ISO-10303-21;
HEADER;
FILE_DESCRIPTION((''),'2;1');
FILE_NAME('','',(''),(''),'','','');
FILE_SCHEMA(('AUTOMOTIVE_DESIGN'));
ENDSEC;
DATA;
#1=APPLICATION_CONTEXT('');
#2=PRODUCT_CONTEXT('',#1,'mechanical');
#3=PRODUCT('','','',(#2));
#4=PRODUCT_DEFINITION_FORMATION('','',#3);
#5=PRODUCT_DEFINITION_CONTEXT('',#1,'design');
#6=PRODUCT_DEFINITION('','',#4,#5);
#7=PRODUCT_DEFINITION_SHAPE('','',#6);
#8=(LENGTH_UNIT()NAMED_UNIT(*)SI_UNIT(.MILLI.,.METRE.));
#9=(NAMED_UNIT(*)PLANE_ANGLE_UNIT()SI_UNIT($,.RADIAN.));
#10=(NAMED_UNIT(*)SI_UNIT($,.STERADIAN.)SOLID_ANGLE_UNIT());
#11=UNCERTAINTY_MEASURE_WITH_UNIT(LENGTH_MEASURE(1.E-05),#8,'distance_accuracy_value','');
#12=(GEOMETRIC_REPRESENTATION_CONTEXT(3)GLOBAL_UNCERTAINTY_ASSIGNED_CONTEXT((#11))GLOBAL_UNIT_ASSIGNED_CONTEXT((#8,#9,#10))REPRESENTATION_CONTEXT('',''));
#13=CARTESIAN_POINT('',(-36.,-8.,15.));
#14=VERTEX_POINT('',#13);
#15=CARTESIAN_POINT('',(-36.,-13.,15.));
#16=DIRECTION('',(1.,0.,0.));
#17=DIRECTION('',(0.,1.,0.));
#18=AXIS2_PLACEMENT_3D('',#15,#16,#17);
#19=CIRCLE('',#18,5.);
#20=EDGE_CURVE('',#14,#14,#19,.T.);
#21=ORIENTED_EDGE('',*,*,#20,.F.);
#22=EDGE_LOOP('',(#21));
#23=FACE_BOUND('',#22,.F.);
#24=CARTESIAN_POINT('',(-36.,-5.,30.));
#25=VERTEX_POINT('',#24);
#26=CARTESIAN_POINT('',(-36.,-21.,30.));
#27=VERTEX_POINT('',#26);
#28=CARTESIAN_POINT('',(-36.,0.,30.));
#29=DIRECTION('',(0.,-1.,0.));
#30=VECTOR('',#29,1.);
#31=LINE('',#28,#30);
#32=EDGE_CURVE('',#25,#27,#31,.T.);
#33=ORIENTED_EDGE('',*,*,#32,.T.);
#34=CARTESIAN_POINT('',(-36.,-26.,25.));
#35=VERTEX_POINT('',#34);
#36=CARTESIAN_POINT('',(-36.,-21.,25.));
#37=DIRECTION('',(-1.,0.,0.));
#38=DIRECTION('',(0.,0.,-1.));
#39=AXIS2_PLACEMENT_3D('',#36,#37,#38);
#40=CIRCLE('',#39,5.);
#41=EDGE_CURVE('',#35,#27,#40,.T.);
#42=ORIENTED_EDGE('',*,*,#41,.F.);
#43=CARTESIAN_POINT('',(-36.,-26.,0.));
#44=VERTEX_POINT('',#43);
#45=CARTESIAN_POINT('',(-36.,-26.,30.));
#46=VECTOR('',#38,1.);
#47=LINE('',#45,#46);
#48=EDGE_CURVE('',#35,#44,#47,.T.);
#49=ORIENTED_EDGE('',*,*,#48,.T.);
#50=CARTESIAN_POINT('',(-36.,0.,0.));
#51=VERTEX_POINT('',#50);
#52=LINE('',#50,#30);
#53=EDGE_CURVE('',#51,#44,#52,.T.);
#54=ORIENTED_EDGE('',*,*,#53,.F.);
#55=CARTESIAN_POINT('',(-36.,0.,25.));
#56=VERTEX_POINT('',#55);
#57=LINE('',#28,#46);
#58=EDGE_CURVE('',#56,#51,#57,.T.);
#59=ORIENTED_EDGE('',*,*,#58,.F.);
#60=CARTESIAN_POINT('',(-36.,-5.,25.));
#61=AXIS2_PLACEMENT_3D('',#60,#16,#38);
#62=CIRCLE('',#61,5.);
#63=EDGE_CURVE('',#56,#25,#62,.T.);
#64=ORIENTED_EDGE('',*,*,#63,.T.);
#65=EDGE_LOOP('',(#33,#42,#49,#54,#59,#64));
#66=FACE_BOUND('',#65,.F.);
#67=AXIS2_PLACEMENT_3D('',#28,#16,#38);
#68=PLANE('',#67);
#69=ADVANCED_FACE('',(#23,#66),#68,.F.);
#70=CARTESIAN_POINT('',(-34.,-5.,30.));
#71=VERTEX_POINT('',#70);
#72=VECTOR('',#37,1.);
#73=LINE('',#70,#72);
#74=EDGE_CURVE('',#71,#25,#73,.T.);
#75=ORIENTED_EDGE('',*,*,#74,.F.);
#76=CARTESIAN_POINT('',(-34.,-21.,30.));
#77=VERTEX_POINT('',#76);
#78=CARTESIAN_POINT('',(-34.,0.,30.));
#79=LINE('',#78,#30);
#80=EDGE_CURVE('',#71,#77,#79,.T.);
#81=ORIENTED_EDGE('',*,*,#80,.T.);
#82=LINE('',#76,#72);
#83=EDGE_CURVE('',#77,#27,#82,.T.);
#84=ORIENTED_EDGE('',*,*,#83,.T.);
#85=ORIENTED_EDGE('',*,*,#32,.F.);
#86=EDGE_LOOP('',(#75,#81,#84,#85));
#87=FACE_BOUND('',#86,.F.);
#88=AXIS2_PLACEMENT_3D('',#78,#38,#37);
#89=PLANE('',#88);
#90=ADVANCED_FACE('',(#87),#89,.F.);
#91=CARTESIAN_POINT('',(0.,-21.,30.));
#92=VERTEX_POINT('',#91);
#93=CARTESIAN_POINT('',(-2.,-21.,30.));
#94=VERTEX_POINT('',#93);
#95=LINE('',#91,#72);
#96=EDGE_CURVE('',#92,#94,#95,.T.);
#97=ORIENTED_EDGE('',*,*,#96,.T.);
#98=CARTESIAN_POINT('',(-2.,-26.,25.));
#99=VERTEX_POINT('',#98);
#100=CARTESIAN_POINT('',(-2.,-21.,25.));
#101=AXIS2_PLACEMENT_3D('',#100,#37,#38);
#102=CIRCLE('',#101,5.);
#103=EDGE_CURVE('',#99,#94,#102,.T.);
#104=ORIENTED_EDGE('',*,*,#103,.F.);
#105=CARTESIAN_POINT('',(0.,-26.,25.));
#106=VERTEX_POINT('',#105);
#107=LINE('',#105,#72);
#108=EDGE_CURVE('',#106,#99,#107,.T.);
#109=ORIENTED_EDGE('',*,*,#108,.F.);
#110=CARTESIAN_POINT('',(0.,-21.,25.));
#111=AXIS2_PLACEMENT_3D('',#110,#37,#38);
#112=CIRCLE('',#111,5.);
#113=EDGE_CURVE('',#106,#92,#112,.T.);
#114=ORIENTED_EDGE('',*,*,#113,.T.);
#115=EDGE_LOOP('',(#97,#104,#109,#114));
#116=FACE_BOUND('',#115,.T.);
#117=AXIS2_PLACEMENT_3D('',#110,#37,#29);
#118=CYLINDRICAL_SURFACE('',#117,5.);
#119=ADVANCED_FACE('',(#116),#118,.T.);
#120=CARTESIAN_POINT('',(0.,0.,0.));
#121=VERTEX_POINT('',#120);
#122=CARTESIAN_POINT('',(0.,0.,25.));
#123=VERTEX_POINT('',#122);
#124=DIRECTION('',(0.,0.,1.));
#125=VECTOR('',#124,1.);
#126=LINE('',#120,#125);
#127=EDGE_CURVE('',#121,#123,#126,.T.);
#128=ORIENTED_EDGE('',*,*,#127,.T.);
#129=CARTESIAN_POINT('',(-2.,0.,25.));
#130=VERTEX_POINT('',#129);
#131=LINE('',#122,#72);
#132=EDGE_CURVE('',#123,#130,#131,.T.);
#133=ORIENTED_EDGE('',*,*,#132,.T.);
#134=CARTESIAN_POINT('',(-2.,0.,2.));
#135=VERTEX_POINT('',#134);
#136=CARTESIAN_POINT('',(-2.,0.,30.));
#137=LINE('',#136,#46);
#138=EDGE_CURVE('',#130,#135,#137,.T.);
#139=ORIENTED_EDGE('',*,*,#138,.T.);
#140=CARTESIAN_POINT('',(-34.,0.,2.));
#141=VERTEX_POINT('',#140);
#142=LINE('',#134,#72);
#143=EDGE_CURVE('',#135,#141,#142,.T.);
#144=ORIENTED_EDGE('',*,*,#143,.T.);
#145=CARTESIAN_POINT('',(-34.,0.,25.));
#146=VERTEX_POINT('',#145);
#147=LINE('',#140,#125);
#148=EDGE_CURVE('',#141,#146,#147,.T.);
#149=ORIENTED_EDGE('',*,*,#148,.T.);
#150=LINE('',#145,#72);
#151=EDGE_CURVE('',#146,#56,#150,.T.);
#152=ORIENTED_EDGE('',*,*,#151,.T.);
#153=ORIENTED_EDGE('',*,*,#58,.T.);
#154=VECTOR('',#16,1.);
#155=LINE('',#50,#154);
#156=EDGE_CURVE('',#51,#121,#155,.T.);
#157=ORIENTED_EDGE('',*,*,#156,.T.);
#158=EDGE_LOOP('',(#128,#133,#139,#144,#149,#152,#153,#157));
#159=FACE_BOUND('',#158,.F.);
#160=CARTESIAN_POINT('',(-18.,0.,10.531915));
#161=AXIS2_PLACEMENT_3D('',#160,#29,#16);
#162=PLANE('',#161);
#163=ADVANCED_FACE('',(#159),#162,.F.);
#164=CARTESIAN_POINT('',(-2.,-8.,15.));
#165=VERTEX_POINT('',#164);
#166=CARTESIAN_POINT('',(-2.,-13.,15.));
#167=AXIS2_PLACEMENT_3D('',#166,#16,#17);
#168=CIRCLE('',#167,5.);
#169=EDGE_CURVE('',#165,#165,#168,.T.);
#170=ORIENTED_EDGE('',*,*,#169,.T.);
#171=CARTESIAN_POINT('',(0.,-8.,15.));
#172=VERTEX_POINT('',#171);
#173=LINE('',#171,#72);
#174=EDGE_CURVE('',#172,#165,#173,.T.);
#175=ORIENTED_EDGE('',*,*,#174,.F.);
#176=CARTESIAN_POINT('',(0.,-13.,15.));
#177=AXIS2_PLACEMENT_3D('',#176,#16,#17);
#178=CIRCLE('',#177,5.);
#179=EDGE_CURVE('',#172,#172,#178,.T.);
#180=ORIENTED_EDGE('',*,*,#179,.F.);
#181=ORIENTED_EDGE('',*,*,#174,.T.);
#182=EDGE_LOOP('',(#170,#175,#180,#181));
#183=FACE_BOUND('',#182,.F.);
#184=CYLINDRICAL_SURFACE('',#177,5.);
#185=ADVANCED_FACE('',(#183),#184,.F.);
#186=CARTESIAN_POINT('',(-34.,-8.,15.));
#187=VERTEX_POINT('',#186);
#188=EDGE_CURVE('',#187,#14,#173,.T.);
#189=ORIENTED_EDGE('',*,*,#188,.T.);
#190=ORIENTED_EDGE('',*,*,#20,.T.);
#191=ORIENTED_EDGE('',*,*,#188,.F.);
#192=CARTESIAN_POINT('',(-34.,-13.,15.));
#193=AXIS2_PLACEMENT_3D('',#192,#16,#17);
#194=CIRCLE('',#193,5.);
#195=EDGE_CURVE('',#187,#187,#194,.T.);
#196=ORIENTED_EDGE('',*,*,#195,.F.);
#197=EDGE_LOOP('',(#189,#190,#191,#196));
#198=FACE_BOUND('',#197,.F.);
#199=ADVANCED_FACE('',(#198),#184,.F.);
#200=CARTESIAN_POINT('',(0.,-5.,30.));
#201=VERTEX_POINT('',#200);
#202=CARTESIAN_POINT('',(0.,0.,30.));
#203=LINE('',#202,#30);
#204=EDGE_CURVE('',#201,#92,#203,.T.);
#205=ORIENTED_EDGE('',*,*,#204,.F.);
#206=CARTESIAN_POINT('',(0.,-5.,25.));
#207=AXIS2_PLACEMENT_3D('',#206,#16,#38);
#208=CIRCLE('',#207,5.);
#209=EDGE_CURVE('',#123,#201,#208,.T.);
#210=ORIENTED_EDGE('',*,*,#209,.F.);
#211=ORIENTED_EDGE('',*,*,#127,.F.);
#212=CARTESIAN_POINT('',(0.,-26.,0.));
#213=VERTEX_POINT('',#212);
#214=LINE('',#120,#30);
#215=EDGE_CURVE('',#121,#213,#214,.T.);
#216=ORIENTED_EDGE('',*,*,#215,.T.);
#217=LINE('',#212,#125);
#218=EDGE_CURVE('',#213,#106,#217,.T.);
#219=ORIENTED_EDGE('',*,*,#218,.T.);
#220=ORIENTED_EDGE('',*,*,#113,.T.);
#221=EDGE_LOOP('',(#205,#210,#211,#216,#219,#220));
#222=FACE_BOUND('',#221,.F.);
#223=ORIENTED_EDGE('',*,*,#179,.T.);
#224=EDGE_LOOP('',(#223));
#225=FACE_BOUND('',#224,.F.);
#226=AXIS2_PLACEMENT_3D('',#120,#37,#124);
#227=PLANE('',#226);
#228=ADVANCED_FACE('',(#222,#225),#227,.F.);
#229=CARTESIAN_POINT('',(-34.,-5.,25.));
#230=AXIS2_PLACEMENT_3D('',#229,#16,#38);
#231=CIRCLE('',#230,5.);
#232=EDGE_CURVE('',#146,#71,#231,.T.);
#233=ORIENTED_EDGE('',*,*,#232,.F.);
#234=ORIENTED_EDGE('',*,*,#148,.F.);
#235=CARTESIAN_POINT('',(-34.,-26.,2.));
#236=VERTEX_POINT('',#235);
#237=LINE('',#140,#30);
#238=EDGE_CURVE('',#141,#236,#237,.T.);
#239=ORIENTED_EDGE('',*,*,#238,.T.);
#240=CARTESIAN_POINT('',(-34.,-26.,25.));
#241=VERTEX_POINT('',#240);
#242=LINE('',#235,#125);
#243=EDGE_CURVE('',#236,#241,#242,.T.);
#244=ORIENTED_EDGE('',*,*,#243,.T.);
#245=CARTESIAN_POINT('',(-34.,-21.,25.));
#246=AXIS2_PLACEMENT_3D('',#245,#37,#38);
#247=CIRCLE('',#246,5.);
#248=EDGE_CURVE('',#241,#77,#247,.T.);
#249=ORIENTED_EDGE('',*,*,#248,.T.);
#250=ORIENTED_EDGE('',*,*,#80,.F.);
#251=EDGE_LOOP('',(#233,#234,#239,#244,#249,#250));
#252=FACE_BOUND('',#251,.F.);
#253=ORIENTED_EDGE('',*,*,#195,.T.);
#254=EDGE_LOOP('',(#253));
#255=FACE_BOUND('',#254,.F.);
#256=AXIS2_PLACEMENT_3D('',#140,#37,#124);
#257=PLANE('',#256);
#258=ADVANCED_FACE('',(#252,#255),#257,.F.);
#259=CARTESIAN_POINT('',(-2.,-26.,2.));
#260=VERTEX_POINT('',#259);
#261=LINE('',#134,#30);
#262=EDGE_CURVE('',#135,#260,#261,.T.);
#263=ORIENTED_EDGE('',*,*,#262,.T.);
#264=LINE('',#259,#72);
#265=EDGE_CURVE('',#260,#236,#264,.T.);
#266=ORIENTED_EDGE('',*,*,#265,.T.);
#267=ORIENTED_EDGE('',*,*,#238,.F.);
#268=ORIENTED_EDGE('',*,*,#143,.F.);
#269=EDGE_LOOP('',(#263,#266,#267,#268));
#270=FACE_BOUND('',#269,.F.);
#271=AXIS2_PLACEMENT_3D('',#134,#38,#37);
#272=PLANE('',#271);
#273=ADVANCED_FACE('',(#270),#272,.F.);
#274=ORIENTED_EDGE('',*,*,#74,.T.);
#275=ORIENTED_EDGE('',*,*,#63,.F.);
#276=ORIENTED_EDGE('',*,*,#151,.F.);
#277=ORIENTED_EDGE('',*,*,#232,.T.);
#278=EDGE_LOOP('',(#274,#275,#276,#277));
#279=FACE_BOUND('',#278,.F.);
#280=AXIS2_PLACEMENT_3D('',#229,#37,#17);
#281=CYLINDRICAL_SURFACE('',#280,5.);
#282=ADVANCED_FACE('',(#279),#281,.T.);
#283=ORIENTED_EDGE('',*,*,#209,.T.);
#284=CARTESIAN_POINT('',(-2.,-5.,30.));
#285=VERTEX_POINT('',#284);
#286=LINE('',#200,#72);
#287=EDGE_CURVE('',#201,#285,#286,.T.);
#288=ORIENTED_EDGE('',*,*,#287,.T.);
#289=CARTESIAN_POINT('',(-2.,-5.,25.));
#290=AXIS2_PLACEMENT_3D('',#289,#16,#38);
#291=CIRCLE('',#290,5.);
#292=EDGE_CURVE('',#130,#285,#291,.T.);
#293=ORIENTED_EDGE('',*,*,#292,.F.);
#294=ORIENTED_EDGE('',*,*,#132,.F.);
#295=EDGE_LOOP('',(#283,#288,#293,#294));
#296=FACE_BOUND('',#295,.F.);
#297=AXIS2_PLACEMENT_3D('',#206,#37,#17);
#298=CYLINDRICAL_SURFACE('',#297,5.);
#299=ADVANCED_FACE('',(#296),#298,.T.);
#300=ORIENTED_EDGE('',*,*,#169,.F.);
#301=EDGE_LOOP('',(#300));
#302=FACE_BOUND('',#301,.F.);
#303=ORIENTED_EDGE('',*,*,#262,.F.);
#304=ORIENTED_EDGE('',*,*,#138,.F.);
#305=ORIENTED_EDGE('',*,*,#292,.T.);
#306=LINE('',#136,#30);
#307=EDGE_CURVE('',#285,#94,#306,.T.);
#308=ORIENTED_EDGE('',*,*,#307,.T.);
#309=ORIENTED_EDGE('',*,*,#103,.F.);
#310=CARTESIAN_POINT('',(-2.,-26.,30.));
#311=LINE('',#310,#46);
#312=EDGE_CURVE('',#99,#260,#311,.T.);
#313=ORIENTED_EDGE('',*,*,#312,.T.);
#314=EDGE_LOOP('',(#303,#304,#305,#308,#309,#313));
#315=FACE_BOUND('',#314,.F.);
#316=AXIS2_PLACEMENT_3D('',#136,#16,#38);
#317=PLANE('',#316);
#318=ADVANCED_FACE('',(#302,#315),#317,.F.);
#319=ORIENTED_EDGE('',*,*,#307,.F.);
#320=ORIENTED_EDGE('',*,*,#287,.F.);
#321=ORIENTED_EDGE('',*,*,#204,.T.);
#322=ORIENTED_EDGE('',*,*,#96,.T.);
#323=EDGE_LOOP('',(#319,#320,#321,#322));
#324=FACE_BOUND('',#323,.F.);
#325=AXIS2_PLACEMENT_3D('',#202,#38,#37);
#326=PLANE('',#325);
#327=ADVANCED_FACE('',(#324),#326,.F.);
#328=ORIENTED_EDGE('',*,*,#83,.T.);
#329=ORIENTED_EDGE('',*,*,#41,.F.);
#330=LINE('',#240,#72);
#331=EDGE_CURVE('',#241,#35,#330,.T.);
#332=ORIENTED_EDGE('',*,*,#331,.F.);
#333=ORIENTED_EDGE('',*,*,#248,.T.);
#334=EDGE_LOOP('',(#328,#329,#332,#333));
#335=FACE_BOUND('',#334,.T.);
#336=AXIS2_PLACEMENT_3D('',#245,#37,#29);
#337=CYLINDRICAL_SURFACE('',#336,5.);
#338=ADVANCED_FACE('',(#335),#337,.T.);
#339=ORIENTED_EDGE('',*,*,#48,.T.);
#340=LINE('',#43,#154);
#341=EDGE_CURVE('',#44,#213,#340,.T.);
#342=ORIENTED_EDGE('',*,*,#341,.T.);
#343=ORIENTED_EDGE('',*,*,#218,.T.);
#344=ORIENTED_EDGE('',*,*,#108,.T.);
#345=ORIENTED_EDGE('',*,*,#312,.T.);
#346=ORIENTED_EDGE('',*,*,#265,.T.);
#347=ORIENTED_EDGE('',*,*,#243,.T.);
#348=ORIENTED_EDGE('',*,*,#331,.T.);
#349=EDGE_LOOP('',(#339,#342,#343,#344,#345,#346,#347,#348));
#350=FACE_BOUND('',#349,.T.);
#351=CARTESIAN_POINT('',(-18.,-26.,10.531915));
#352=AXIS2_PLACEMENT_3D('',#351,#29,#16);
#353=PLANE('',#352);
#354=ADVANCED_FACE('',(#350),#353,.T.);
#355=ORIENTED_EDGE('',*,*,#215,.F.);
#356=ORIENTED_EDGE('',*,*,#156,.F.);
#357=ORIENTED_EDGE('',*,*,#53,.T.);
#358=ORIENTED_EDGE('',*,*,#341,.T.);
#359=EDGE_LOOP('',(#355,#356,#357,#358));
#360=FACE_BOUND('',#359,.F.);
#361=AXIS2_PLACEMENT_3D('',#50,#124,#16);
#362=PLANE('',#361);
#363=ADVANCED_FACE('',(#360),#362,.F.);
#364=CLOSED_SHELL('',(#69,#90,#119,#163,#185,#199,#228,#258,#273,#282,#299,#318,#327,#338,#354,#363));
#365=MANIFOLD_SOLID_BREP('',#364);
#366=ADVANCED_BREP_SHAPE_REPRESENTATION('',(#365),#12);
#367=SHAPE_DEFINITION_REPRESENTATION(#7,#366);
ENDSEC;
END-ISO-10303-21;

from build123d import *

# Parameters (mm, degrees)
F1_DEPTH = 26
F2_R     = 5
F3_DEPTH = 52.2
F4_R     = 5


with BuildPart() as f1:
    # F0 (on Front) → F1 (new body)
    with BuildSketch(Plane.XZ):
        Polygon((-36, 0), (0, 0), (0, 30), (-2, 30), (-2, 2), (-34, 2), (-34, 30), (-36, 30), align=None)
    extrude(amount=F1_DEPTH)

    # F2 (on face) → F3 (cut)
    with BuildSketch(Plane.YZ):
        with Locations((-13, 15)):
            Circle(F2_R)
    extrude(amount=-F3_DEPTH, mode=Mode.SUBTRACT)

    # F4
    f4_edges = [f1.edges().sort_by_distance(p)[0] for p in [
        (-1, 0, 30),
        (-1, -26, 30),
        (-35, 0, 30),
        (-35, -26, 30),
    ]]
    fillet(f4_edges, radius=F4_R)


solid = f1.part
